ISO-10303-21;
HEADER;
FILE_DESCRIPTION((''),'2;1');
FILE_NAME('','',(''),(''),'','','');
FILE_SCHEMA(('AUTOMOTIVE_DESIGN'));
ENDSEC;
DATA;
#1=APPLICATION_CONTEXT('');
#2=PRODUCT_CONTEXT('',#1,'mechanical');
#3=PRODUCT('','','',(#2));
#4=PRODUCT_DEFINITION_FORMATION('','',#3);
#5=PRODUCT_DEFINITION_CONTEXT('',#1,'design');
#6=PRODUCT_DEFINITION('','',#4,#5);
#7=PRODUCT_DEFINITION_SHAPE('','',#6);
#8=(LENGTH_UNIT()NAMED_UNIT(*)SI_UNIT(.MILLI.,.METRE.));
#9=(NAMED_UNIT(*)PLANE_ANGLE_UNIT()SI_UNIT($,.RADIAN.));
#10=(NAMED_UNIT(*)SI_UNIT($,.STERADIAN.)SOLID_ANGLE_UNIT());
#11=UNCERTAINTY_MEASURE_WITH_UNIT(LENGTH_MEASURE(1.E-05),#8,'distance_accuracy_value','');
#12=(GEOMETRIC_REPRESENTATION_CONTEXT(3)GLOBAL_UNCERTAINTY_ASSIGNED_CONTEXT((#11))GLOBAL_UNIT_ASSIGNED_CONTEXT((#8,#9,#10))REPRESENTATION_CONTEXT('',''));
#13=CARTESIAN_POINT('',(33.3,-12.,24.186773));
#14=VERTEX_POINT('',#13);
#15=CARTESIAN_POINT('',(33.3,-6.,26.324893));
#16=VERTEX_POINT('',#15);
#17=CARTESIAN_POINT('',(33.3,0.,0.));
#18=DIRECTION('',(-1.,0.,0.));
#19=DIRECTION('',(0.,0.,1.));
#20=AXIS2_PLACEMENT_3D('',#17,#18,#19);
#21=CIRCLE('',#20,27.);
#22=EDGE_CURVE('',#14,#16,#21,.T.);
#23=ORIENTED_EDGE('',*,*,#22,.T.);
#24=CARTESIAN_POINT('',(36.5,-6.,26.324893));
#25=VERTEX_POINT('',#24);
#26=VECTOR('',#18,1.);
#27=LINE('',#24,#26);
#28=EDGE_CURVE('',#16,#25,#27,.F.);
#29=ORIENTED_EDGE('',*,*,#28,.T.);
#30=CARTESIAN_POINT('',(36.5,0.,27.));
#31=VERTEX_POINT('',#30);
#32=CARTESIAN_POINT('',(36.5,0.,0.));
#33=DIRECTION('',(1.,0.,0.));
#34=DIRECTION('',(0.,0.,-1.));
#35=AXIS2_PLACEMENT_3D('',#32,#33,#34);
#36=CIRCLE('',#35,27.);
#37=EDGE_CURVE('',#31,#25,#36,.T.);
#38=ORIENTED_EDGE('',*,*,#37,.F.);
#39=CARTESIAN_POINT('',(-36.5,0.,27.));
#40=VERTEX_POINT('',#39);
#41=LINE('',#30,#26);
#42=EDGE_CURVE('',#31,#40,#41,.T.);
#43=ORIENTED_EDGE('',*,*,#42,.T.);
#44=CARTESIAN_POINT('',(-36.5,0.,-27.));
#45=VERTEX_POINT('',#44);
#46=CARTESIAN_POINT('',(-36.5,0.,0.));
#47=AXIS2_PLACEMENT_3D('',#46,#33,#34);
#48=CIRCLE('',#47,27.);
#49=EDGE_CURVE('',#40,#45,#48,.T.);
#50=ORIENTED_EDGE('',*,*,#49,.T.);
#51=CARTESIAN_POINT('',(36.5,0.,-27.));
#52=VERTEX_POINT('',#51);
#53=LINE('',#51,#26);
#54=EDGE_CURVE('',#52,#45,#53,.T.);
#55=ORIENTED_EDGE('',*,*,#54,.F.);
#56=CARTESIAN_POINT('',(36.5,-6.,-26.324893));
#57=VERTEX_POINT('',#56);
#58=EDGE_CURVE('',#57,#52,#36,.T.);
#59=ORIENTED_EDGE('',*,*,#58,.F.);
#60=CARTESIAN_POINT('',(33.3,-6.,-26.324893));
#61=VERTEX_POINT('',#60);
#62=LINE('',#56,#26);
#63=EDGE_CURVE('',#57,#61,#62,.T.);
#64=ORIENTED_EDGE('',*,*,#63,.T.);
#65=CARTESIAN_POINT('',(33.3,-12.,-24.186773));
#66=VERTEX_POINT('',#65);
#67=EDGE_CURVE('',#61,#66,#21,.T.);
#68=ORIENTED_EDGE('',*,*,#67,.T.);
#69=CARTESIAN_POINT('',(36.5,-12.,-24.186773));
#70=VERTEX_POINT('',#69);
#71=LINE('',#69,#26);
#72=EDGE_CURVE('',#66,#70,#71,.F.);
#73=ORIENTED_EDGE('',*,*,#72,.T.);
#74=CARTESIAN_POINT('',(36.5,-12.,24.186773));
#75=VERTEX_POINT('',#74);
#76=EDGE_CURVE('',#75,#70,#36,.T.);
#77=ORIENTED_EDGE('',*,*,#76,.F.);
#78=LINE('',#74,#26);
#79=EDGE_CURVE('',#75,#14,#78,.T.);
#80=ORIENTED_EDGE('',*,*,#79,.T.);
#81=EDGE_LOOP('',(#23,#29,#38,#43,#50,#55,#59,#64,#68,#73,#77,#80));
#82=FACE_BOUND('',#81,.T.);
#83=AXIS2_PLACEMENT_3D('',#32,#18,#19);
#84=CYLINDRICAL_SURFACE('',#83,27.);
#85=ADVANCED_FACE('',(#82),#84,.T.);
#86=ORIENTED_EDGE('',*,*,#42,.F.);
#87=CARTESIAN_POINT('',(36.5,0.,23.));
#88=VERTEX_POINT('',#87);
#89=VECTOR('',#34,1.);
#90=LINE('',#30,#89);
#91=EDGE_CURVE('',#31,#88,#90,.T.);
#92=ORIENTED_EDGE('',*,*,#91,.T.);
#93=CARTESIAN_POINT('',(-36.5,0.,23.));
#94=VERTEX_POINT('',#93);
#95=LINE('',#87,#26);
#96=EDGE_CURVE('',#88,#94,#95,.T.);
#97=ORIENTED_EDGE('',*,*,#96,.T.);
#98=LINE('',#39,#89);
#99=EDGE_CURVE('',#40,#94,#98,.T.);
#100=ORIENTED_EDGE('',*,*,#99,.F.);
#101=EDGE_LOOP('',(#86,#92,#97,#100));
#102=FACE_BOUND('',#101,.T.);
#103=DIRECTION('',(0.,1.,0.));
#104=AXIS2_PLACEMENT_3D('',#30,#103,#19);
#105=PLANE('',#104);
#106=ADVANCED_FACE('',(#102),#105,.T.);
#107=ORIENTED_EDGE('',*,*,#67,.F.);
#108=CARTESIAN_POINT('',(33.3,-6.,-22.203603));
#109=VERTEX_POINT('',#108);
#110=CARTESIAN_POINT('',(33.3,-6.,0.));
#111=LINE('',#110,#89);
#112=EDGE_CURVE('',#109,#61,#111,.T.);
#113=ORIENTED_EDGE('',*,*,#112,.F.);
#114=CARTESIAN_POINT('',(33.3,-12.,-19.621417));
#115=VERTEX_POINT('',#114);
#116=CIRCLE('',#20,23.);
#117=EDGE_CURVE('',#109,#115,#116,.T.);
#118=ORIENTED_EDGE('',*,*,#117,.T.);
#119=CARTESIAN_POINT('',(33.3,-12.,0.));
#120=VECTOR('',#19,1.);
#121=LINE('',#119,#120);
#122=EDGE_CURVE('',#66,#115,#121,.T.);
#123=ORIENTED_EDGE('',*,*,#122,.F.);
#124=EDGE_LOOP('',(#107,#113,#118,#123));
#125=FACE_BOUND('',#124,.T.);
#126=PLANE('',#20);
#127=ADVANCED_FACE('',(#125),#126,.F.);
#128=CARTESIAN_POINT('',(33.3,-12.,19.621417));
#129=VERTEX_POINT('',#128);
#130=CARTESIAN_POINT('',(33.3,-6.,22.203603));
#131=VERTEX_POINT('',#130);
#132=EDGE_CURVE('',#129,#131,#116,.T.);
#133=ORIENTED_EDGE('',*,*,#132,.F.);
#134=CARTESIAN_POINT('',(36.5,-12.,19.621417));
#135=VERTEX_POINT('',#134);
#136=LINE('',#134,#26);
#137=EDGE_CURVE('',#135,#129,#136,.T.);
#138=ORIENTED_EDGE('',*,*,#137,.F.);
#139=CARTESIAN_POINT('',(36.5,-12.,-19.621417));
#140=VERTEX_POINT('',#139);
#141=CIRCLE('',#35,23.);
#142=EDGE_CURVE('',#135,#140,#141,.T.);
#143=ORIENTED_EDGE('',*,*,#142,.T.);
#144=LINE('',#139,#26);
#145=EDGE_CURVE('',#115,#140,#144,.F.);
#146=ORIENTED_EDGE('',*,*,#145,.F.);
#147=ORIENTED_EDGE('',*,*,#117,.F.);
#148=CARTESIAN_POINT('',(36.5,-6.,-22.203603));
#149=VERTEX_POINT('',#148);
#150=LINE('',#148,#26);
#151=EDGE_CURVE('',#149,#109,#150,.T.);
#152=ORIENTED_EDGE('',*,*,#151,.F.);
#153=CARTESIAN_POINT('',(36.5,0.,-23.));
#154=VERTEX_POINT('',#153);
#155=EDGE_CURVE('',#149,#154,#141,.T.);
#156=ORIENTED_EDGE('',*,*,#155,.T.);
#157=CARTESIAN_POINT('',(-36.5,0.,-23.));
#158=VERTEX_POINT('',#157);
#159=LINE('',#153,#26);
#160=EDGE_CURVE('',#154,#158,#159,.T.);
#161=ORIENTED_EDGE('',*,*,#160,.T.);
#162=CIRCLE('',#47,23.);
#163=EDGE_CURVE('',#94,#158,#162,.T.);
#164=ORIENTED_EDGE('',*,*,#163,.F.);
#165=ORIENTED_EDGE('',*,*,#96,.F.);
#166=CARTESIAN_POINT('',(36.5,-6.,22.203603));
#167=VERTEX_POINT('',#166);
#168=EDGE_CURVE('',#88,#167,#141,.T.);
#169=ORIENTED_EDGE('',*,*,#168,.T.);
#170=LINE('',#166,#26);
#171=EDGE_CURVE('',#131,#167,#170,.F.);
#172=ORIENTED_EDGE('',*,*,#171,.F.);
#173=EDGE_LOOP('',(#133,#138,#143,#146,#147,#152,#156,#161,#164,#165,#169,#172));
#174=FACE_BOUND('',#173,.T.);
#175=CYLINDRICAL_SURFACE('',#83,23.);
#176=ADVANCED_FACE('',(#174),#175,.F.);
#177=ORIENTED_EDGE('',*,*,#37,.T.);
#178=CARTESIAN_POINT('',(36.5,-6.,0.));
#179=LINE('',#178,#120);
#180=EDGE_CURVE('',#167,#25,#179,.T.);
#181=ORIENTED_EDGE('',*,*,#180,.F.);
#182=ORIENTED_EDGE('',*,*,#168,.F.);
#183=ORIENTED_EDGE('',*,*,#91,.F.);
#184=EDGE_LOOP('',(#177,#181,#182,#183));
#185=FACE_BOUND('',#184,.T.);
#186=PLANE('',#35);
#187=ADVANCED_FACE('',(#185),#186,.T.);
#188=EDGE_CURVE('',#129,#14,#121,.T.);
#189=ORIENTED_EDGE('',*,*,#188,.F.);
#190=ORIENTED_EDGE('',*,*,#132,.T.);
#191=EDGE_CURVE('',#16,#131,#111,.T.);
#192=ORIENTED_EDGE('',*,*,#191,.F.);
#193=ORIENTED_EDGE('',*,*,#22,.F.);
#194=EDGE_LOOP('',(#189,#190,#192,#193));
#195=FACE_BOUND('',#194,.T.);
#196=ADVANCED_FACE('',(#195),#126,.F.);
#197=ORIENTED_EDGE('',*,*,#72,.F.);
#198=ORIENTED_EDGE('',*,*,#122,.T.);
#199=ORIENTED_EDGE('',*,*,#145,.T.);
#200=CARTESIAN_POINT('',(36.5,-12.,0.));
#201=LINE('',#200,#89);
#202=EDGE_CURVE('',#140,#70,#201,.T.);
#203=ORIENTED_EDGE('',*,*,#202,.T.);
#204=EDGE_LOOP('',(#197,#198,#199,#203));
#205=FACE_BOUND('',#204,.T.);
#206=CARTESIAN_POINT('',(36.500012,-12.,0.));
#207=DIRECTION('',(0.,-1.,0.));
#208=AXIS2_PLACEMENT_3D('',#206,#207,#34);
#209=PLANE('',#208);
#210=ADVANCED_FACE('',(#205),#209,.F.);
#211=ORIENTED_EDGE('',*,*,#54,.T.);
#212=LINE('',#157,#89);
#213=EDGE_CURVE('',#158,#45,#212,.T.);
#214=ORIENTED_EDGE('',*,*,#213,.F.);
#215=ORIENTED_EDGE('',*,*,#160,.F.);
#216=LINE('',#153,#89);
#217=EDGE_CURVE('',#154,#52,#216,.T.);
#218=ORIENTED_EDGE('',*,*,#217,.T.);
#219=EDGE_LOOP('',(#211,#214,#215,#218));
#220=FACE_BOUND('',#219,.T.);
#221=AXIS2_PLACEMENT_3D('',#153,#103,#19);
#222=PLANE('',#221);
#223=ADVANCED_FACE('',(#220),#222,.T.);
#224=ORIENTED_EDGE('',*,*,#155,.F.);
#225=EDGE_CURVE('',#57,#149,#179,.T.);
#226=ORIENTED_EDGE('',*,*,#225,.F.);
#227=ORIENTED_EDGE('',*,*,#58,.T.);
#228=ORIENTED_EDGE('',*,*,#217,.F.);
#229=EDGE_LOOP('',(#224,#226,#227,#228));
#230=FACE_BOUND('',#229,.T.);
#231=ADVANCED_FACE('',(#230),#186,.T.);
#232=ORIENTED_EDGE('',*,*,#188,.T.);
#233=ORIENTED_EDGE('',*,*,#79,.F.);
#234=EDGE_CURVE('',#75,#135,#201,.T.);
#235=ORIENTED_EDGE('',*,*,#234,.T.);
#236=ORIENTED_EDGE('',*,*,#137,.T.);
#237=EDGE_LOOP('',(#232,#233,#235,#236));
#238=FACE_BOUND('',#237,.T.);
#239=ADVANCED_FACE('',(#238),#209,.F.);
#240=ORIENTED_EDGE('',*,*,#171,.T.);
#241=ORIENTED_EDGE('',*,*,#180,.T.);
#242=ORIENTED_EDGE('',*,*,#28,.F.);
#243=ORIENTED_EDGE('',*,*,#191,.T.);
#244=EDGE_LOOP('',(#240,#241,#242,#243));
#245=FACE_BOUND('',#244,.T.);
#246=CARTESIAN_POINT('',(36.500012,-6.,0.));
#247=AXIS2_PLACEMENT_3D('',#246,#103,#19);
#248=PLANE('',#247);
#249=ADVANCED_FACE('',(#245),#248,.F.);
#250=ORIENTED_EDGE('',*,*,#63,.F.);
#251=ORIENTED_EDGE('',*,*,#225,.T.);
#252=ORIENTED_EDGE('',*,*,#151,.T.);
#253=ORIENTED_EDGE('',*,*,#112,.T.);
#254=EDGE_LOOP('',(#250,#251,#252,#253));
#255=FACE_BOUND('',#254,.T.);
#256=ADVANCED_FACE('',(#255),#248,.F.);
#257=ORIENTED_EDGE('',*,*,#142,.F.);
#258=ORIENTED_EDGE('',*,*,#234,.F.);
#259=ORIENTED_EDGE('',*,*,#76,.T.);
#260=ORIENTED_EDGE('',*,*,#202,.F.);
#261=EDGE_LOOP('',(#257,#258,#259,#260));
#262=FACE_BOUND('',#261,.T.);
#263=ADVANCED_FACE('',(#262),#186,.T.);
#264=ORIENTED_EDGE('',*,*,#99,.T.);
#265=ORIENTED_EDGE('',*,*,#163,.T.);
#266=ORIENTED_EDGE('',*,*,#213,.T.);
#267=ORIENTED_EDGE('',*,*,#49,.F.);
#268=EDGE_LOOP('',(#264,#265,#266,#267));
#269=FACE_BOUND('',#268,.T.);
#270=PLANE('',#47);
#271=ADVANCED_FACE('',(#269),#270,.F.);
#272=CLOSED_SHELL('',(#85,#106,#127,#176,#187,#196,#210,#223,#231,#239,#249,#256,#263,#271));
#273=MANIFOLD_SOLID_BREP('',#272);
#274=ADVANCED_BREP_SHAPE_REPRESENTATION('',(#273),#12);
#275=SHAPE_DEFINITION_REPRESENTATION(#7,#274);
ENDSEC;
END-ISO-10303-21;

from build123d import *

# Parameters (mm, degrees)
BOSS_EXTRUDE1_DEPTH     = 36.5
CUT_EXTRUDE1_DEPTH      = 53.82281704
CUT_EXTRUDE1_DEPTH_BACK = 3.2
CUT_EXTRUDE1_START      = 36.5
SKETCH2_W               = 57.250046972
SKETCH2_H               = 6


with BuildPart() as part:
    # Sketch1 → Boss-Extrude1 (new, symmetric)
    with BuildSketch(Plane(origin=(0, 0, 0), x_dir=(0, 0, -1), z_dir=(1, 0, 0))):
        with BuildLine():
            Line((-27, 0), (-23, 0))
            ThreePointArc((-23, 0), (0, -23), (23, 0))
            Line((23, 0), (27, 0))
            ThreePointArc((27, 0), (0, -27), (-27, 0))
        make_face()
    extrude(amount=BOSS_EXTRUDE1_DEPTH, both=True)

    # Sketch2 → Cut-Extrude1 (cut, two sides: drawn at the far end of the back side and taken through both)
    with BuildSketch(Plane(origin=(0, 0, 0), x_dir=(0, 0, -1), z_dir=(1, 0, 0)).offset(CUT_EXTRUDE1_START - CUT_EXTRUDE1_DEPTH_BACK)):
        with Locations((-0.586463896, -9)):
            Rectangle(SKETCH2_W, SKETCH2_H)
    extrude(amount=CUT_EXTRUDE1_DEPTH + CUT_EXTRUDE1_DEPTH_BACK, mode=Mode.SUBTRACT)


solid = part.part
